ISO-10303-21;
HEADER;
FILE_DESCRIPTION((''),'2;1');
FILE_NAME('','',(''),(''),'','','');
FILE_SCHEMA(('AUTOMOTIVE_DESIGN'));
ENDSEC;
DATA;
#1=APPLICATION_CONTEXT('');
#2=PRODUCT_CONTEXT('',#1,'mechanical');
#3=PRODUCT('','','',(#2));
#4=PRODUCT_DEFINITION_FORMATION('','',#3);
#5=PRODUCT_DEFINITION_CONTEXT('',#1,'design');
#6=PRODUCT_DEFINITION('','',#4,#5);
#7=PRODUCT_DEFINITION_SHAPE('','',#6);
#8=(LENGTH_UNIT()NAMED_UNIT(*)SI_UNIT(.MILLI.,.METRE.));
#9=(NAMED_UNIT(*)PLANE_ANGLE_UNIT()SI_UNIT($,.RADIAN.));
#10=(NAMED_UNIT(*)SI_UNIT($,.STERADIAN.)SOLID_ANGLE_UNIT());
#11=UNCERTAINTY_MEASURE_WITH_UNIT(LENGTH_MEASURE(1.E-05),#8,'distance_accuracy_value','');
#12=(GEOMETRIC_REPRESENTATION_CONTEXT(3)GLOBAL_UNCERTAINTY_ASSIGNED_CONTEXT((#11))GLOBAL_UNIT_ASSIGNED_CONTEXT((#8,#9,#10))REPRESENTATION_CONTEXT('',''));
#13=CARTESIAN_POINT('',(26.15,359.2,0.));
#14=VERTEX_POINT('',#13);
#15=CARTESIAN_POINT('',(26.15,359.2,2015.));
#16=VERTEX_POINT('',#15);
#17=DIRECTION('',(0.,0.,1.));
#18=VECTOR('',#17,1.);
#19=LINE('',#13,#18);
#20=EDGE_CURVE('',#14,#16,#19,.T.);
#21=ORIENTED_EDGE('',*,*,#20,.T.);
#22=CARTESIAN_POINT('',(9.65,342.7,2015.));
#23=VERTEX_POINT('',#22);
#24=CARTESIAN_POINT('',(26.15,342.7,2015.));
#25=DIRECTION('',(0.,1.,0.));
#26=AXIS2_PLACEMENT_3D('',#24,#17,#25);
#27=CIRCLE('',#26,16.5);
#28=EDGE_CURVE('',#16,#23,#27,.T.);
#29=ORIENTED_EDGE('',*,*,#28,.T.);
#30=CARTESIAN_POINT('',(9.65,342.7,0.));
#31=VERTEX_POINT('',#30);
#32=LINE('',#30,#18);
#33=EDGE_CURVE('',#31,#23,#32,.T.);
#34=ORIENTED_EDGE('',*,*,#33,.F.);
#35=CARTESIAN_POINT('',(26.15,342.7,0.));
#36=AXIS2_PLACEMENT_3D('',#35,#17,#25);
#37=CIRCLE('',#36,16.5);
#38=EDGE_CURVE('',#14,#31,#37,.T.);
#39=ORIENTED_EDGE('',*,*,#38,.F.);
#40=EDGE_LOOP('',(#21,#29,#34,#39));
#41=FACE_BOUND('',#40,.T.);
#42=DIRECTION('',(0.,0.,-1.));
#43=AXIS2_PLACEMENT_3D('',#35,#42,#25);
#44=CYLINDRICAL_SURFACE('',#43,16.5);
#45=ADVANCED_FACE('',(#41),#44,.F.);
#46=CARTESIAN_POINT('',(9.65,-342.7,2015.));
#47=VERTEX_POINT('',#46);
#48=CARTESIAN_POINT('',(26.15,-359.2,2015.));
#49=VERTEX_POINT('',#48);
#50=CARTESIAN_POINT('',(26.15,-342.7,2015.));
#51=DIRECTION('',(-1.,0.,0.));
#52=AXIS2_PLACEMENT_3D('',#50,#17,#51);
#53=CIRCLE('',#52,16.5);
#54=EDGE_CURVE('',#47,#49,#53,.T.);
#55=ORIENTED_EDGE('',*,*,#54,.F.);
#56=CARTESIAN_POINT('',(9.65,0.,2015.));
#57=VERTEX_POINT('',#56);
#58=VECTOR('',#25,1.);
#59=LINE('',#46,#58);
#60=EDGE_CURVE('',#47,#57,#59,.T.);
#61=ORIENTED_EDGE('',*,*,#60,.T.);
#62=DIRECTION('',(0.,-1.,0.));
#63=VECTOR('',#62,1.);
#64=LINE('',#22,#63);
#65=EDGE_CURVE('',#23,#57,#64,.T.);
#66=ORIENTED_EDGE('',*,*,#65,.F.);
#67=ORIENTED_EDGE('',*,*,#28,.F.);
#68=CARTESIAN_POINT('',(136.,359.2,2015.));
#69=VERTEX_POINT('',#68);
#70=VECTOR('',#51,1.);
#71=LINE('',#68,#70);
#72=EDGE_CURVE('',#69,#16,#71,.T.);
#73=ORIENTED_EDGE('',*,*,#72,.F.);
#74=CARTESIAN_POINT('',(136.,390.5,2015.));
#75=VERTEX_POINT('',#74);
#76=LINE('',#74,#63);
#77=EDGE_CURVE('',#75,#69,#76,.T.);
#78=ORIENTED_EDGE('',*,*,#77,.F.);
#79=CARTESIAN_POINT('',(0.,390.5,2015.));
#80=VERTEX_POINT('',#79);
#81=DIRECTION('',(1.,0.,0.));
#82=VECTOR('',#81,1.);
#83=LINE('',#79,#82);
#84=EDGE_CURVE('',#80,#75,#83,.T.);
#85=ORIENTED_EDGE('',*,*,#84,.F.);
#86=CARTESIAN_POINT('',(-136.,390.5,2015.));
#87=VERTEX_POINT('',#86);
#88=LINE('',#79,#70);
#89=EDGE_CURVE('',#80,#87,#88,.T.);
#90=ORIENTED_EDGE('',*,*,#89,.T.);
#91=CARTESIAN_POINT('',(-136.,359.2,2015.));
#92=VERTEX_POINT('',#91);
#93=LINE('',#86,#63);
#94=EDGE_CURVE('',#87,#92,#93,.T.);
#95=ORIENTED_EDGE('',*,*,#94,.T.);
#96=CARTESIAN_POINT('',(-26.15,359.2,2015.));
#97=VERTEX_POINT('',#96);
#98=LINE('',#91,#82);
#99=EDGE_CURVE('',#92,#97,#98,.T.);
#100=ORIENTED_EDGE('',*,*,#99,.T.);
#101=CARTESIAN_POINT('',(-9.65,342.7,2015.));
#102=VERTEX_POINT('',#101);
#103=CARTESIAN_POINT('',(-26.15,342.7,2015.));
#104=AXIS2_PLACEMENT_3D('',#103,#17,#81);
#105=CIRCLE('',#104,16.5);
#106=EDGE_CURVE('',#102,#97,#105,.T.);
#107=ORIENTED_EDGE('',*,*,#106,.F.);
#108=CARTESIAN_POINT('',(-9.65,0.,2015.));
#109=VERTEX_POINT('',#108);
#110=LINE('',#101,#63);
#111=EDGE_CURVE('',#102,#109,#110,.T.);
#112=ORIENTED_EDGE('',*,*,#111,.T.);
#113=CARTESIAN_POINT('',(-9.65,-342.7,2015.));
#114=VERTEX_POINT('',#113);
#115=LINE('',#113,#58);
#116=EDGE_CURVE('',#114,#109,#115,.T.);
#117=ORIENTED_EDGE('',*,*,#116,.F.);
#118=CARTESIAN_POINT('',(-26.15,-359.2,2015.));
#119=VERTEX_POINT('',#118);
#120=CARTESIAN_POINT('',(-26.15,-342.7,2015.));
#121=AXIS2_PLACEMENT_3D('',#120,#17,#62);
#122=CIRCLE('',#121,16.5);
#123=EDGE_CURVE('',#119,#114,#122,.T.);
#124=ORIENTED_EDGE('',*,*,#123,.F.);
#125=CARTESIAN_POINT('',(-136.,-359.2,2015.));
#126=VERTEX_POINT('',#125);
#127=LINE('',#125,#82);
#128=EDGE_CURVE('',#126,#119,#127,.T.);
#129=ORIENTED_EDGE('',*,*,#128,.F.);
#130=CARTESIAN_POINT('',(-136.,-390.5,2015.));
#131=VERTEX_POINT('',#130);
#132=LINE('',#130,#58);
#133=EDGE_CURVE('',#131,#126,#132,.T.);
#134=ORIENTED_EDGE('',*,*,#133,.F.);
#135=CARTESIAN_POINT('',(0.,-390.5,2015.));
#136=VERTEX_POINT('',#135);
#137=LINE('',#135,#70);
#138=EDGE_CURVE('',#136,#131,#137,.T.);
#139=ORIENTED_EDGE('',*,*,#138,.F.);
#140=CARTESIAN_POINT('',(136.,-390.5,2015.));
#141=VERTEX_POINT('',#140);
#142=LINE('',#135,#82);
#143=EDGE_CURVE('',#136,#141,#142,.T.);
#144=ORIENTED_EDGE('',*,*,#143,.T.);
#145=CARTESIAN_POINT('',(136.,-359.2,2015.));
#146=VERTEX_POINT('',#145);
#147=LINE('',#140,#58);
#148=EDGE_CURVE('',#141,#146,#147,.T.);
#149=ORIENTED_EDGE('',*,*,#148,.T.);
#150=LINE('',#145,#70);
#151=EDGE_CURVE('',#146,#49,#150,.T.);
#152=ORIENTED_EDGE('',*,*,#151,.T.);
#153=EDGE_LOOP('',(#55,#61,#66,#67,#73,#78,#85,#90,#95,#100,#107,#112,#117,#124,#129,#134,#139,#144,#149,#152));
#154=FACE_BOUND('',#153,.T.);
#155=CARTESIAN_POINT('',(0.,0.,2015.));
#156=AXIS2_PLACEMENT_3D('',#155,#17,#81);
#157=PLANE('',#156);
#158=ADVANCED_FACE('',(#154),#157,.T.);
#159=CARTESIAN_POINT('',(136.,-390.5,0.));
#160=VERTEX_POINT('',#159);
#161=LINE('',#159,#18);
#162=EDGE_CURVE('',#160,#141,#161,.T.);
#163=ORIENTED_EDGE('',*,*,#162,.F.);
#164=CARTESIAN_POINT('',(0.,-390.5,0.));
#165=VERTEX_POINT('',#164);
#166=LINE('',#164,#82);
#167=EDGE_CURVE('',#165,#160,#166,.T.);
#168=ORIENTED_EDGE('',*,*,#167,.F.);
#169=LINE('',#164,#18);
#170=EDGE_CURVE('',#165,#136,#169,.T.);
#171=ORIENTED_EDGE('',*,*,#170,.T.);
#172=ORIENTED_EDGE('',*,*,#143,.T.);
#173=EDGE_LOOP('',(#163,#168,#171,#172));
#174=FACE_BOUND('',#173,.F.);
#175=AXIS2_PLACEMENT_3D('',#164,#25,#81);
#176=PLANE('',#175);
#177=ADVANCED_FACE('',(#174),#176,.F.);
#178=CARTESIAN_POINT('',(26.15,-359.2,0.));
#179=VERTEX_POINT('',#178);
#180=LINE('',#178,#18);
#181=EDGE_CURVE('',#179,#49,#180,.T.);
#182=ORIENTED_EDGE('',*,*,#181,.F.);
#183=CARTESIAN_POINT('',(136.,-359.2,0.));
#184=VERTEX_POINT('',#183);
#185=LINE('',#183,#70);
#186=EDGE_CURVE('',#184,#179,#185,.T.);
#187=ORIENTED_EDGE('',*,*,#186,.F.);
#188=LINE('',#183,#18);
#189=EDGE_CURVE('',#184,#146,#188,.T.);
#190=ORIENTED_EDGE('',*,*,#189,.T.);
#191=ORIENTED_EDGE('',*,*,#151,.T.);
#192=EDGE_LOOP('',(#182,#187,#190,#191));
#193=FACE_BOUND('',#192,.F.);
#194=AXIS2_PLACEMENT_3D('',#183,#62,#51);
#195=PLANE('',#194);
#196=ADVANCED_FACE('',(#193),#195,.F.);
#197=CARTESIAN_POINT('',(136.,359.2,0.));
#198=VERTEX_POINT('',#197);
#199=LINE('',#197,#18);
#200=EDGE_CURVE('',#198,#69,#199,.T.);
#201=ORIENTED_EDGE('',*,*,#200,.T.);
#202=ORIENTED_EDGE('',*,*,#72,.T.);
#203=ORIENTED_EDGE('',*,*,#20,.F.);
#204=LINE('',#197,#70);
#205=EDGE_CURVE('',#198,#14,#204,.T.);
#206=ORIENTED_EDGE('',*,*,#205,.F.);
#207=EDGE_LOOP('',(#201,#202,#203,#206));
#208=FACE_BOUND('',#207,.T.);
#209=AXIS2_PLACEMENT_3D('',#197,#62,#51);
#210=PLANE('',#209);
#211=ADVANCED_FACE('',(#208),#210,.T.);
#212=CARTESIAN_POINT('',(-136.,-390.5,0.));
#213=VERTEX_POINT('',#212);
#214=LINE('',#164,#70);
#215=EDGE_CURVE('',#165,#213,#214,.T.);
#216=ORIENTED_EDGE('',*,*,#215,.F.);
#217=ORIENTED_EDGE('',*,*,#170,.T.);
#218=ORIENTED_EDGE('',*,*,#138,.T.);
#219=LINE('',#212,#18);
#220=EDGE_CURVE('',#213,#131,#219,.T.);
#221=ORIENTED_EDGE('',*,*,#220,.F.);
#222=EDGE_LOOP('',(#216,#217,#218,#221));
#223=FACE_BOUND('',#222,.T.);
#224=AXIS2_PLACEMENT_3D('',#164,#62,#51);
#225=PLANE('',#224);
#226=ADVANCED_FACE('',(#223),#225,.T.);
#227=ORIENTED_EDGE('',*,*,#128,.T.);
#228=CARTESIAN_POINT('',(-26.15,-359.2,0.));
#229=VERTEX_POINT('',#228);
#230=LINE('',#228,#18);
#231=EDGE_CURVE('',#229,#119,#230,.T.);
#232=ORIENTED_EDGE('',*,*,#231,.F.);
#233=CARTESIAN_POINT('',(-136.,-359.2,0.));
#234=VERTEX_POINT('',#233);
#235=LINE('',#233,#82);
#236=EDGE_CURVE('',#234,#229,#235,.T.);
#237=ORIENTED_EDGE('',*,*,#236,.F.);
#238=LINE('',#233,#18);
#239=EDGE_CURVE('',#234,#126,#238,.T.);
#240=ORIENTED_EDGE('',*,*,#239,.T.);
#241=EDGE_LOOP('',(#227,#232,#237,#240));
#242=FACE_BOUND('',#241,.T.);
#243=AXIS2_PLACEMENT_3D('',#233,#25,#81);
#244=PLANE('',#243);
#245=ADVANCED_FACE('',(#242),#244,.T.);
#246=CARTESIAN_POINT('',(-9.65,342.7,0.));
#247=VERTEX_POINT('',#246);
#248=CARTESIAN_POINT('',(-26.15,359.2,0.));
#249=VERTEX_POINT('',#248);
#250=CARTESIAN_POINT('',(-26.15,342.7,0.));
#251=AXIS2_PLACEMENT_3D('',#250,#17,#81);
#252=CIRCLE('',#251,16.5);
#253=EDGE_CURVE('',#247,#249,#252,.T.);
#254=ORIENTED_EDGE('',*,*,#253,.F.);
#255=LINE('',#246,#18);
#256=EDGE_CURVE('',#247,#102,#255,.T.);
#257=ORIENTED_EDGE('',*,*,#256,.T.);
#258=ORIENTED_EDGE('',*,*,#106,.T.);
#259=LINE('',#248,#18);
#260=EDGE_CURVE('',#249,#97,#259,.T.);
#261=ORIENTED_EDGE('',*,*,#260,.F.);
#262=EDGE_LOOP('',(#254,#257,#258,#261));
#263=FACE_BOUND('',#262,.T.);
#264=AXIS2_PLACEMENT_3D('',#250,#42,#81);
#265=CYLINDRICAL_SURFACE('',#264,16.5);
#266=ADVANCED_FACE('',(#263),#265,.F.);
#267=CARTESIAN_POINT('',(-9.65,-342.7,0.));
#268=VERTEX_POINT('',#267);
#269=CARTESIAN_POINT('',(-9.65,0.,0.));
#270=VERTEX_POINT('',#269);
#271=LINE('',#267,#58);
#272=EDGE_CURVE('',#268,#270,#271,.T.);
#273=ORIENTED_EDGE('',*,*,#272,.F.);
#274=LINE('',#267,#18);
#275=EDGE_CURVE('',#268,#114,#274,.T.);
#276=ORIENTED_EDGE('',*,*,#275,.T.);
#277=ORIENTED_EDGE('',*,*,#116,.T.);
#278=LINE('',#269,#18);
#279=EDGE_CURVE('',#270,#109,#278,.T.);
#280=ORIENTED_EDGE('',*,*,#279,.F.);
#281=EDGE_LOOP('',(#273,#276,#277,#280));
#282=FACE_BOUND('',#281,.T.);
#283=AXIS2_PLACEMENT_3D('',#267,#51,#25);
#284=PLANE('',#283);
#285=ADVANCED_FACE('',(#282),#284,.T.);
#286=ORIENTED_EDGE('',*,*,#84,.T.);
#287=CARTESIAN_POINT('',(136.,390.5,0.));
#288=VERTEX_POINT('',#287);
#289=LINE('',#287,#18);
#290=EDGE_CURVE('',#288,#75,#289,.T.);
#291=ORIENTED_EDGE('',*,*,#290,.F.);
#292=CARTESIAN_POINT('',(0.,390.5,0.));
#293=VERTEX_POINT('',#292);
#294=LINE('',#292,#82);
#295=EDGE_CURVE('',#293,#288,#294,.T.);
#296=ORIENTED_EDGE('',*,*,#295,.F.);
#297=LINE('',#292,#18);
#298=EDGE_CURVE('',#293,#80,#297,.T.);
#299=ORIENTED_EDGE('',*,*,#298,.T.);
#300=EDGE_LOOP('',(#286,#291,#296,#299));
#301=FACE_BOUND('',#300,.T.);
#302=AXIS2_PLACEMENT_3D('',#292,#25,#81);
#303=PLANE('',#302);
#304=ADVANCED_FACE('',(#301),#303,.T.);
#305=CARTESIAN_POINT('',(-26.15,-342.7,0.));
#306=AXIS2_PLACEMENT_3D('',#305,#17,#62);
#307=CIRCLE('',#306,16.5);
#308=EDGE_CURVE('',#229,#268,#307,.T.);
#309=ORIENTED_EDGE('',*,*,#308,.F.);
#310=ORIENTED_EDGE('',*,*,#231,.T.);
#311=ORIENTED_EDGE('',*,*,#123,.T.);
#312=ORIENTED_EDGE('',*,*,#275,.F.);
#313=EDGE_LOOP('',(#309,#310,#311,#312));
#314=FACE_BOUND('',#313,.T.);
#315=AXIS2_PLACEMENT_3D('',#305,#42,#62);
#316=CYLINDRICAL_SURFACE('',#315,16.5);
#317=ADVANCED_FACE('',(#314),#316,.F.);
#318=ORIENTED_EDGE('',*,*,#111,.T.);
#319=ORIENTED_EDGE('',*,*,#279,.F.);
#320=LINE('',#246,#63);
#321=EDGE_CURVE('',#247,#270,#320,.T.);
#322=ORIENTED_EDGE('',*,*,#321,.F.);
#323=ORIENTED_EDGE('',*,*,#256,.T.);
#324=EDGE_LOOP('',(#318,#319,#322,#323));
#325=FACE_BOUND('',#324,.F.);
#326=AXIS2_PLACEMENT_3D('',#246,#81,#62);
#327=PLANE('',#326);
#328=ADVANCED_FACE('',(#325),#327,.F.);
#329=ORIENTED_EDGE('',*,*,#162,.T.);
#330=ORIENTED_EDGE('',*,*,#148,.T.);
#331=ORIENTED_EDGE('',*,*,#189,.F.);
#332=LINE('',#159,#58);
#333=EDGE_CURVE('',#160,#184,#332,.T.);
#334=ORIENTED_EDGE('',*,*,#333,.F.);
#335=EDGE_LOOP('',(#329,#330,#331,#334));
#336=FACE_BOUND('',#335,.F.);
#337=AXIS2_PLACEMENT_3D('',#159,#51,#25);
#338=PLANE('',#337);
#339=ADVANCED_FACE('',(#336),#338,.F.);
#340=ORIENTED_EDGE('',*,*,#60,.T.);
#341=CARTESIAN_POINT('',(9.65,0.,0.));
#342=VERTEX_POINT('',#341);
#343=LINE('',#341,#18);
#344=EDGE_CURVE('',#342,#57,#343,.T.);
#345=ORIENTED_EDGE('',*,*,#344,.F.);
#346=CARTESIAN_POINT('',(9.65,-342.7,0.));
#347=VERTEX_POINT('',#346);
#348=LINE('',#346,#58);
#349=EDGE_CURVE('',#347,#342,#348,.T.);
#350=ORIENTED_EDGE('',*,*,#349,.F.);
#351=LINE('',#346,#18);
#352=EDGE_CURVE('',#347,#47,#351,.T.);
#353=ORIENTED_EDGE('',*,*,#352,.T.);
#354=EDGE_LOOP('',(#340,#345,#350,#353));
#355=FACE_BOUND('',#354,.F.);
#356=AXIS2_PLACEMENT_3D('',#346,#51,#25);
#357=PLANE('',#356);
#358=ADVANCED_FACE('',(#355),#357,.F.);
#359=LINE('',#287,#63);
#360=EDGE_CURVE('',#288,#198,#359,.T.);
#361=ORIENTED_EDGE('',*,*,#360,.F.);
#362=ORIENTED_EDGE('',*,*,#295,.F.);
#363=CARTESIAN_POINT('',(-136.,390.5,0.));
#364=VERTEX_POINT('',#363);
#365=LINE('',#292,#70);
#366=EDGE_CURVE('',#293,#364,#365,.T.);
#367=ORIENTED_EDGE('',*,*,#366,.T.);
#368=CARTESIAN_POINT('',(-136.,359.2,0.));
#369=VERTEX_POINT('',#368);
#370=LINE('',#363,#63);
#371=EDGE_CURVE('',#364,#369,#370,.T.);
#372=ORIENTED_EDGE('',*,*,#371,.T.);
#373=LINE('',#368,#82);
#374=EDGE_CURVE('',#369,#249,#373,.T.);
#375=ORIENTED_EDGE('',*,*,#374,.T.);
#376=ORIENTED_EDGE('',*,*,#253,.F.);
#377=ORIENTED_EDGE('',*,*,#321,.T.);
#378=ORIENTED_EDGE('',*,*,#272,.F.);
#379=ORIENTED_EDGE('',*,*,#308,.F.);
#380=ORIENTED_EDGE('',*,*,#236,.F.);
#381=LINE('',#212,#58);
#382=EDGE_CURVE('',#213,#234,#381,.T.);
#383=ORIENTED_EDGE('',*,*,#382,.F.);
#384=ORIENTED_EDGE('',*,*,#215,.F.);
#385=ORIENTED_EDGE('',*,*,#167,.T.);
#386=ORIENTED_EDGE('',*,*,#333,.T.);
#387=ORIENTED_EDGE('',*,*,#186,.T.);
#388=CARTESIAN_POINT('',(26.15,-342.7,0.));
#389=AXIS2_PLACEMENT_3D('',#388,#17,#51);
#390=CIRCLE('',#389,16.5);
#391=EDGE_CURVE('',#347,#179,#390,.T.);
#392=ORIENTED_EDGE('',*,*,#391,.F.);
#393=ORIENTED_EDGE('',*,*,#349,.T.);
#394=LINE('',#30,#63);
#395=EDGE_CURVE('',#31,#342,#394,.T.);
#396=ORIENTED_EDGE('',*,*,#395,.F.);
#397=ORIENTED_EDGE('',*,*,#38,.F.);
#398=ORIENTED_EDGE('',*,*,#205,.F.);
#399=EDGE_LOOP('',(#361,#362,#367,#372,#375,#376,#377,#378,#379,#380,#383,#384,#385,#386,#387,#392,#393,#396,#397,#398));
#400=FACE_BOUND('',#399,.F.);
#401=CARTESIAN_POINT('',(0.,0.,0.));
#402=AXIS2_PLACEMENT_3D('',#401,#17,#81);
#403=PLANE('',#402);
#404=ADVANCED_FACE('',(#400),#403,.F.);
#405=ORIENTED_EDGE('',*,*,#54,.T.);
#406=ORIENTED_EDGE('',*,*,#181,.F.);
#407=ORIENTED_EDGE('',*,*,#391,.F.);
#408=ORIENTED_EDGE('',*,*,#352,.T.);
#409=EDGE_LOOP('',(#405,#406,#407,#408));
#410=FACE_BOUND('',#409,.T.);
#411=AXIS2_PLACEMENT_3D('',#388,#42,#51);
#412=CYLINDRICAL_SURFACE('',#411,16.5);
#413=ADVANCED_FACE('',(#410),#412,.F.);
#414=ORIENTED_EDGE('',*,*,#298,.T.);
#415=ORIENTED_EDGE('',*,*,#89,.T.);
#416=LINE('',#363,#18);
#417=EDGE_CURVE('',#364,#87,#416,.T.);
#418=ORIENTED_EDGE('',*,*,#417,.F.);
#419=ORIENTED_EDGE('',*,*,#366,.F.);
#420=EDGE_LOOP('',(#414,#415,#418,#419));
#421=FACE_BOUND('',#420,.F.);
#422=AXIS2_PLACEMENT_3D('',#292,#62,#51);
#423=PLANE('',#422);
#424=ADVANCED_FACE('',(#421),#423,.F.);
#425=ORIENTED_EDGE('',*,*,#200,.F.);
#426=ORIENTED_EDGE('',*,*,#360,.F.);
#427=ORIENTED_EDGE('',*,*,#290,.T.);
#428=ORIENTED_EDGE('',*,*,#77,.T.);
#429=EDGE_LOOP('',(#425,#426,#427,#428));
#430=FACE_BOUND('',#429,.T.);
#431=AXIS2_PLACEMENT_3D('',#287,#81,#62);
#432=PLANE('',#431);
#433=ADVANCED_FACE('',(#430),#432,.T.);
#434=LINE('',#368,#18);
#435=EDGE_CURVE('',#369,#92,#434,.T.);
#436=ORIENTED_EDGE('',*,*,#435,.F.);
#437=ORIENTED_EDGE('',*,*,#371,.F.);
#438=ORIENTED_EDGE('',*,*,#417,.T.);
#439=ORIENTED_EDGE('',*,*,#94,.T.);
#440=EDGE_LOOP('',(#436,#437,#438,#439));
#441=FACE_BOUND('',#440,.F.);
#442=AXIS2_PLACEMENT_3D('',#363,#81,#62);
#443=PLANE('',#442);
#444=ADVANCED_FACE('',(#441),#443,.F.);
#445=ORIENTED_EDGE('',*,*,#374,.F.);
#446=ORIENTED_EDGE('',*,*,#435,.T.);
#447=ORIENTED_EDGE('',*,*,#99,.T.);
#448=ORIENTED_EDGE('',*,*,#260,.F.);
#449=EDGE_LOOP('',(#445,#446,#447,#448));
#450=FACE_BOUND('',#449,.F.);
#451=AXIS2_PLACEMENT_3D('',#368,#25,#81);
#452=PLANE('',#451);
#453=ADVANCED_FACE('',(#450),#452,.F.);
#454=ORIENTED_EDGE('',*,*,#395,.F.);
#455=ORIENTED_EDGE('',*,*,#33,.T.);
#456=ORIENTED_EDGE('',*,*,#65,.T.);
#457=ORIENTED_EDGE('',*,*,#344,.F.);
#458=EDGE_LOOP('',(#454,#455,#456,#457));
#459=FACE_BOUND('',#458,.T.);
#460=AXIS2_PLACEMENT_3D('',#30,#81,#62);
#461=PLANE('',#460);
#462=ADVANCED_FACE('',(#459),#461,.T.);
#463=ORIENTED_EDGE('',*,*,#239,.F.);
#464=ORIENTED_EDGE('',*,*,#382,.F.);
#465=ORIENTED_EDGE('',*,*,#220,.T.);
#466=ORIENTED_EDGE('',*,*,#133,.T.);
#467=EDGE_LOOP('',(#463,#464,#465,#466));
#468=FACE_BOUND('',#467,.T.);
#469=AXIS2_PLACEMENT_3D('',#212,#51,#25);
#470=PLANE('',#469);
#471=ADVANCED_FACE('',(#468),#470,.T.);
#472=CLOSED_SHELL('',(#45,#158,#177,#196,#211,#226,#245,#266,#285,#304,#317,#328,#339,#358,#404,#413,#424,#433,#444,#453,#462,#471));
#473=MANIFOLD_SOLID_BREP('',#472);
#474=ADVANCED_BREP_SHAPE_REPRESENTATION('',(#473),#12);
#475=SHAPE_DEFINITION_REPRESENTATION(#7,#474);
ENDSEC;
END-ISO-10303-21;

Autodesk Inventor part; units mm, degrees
ref_plane "YZ Plane" through (0, 0, 0) normal (1, 0, 0) x (0, 1, 0)
ref_plane "Start plane" through (0, 0, 0) normal (0, 0, 1) x (1, 0, 0)
ref_plane "End plane" through (0, 0, 2015) normal (0, 0, 1) x (1, 0, 0)
sketch "Sketch" plane through (0, 0, 0) normal (0, 0, 1) x (1, 0, 0)
  line L0 (-136, -390.5) -> (-136, -359.2)
  line L1 (-136, -359.2) -> (-26.15, -359.2)
  line L2 (-9.65, -342.7) -> (-9.65, 0)
  line L3 (-9.65, 0) -> (0, 0) construction
  line L4 (0, 0) -> (0, -390.5) construction
  line L5 (0, -390.5) -> (-136, -390.5)
  line L6 (-60, 0) -> (80, 0) construction
  line L7 (0, -60) -> (0, 80) construction
  line L8 (136, -390.5) -> (136, -359.2)
  line L9 (136, -359.2) -> (26.15, -359.2)
  line L10 (9.65, -342.7) -> (9.65, 0)
  line L11 (9.65, 0) -> (0, 0) construction
  line L12 (0, -390.5) -> (136, -390.5)
  line L13 (-136, 390.5) -> (-136, 359.2)
  line L14 (-136, 359.2) -> (-26.15, 359.2)
  line L15 (-9.65, 342.7) -> (-9.65, 0)
  line L16 (0, 390.5) -> (-136, 390.5)
  line L17 (136, 390.5) -> (136, 359.2)
  line L18 (136, 359.2) -> (26.15, 359.2)
  line L19 (0, 390.5) -> (136, 390.5)
  line L20 (9.65, 342.7) -> (9.65, 0)
  arc A0 (-9.65, 342.7) -> (-26.15, 359.2) centre (-26.15, 342.7) ccw
  arc A1 (26.15, 359.2) -> (9.65, 342.7) centre (26.15, 342.7) ccw
  arc A2 (9.65, -342.7) -> (26.15, -359.2) centre (26.15, -342.7) ccw
  arc A3 (-26.15, -359.2) -> (-9.65, -342.7) centre (-26.15, -342.7) ccw
  line L21 (0, 108) -> (0, -88) construction
  line L22 (-88, 0) -> (108, 0) construction
  point P0 (-9.65, -359.2)
  point P1 (9.65, -359.2)
  point P2 (-9.65, 359.2)
  point P3 (9.65, 359.2)
  dimension "d1" = 390.5
  dimension "d2" = 31.3
  dimension "d3" = 136
  dimension "d4" = 9.65
  dimension "d10" = 16.5
extrude "Body" add sketch "Sketch" along normal up to surface (2015 mm away) from surface at 0
sketch "Sketch4" plane through (0, 0, 0) normal (0, 0, 1) x (1, 0, 0)
  line L0 (0, 0) -> (10, 0)
ref_plane "Work Plane3" through (0, 0, 0) normal (0, -1, 0) x (1, 0, 0)
sketch "Sketch5" plane through (0, 0, 0) normal (0, -1, 0) x (1, 0, 0)
  line L0 (-2, 0) -> (12, 0) projected
  line L1 (-2, 2015) -> (12, 2015) projected
  dimension "d14" = 2015
equation "\"d1\" = 0.5 * G_H"
equation "\"d2\" = G_T1"
equation "\"d3\" = 0.5 * G_W"
equation "\"d4\" = 0.5 * G_T"
equation "\"d10\" = G_IR"
equation "\"d5\" = G_L"
equation "\"G_W\" = 272"
equation "\"G_H\" = 781"
equation "\"G_T\" = 19.3"
equation "\"G_T1\" = 31.3"
equation "\"G_IR\" = 16.5"
equation "\"G_L\" = d14"
equation "\"G_OFFSET_START\" = 0"
equation "\"G_OFFSET_END\" = 0"
equation "\"d12\" = G_OFFSET_END + B_L"
equation "\"B_L\" = 2015"
properties part number "AS 3679-1990 - 760 UB - 244 - 2015" material "Steel, Mild"
